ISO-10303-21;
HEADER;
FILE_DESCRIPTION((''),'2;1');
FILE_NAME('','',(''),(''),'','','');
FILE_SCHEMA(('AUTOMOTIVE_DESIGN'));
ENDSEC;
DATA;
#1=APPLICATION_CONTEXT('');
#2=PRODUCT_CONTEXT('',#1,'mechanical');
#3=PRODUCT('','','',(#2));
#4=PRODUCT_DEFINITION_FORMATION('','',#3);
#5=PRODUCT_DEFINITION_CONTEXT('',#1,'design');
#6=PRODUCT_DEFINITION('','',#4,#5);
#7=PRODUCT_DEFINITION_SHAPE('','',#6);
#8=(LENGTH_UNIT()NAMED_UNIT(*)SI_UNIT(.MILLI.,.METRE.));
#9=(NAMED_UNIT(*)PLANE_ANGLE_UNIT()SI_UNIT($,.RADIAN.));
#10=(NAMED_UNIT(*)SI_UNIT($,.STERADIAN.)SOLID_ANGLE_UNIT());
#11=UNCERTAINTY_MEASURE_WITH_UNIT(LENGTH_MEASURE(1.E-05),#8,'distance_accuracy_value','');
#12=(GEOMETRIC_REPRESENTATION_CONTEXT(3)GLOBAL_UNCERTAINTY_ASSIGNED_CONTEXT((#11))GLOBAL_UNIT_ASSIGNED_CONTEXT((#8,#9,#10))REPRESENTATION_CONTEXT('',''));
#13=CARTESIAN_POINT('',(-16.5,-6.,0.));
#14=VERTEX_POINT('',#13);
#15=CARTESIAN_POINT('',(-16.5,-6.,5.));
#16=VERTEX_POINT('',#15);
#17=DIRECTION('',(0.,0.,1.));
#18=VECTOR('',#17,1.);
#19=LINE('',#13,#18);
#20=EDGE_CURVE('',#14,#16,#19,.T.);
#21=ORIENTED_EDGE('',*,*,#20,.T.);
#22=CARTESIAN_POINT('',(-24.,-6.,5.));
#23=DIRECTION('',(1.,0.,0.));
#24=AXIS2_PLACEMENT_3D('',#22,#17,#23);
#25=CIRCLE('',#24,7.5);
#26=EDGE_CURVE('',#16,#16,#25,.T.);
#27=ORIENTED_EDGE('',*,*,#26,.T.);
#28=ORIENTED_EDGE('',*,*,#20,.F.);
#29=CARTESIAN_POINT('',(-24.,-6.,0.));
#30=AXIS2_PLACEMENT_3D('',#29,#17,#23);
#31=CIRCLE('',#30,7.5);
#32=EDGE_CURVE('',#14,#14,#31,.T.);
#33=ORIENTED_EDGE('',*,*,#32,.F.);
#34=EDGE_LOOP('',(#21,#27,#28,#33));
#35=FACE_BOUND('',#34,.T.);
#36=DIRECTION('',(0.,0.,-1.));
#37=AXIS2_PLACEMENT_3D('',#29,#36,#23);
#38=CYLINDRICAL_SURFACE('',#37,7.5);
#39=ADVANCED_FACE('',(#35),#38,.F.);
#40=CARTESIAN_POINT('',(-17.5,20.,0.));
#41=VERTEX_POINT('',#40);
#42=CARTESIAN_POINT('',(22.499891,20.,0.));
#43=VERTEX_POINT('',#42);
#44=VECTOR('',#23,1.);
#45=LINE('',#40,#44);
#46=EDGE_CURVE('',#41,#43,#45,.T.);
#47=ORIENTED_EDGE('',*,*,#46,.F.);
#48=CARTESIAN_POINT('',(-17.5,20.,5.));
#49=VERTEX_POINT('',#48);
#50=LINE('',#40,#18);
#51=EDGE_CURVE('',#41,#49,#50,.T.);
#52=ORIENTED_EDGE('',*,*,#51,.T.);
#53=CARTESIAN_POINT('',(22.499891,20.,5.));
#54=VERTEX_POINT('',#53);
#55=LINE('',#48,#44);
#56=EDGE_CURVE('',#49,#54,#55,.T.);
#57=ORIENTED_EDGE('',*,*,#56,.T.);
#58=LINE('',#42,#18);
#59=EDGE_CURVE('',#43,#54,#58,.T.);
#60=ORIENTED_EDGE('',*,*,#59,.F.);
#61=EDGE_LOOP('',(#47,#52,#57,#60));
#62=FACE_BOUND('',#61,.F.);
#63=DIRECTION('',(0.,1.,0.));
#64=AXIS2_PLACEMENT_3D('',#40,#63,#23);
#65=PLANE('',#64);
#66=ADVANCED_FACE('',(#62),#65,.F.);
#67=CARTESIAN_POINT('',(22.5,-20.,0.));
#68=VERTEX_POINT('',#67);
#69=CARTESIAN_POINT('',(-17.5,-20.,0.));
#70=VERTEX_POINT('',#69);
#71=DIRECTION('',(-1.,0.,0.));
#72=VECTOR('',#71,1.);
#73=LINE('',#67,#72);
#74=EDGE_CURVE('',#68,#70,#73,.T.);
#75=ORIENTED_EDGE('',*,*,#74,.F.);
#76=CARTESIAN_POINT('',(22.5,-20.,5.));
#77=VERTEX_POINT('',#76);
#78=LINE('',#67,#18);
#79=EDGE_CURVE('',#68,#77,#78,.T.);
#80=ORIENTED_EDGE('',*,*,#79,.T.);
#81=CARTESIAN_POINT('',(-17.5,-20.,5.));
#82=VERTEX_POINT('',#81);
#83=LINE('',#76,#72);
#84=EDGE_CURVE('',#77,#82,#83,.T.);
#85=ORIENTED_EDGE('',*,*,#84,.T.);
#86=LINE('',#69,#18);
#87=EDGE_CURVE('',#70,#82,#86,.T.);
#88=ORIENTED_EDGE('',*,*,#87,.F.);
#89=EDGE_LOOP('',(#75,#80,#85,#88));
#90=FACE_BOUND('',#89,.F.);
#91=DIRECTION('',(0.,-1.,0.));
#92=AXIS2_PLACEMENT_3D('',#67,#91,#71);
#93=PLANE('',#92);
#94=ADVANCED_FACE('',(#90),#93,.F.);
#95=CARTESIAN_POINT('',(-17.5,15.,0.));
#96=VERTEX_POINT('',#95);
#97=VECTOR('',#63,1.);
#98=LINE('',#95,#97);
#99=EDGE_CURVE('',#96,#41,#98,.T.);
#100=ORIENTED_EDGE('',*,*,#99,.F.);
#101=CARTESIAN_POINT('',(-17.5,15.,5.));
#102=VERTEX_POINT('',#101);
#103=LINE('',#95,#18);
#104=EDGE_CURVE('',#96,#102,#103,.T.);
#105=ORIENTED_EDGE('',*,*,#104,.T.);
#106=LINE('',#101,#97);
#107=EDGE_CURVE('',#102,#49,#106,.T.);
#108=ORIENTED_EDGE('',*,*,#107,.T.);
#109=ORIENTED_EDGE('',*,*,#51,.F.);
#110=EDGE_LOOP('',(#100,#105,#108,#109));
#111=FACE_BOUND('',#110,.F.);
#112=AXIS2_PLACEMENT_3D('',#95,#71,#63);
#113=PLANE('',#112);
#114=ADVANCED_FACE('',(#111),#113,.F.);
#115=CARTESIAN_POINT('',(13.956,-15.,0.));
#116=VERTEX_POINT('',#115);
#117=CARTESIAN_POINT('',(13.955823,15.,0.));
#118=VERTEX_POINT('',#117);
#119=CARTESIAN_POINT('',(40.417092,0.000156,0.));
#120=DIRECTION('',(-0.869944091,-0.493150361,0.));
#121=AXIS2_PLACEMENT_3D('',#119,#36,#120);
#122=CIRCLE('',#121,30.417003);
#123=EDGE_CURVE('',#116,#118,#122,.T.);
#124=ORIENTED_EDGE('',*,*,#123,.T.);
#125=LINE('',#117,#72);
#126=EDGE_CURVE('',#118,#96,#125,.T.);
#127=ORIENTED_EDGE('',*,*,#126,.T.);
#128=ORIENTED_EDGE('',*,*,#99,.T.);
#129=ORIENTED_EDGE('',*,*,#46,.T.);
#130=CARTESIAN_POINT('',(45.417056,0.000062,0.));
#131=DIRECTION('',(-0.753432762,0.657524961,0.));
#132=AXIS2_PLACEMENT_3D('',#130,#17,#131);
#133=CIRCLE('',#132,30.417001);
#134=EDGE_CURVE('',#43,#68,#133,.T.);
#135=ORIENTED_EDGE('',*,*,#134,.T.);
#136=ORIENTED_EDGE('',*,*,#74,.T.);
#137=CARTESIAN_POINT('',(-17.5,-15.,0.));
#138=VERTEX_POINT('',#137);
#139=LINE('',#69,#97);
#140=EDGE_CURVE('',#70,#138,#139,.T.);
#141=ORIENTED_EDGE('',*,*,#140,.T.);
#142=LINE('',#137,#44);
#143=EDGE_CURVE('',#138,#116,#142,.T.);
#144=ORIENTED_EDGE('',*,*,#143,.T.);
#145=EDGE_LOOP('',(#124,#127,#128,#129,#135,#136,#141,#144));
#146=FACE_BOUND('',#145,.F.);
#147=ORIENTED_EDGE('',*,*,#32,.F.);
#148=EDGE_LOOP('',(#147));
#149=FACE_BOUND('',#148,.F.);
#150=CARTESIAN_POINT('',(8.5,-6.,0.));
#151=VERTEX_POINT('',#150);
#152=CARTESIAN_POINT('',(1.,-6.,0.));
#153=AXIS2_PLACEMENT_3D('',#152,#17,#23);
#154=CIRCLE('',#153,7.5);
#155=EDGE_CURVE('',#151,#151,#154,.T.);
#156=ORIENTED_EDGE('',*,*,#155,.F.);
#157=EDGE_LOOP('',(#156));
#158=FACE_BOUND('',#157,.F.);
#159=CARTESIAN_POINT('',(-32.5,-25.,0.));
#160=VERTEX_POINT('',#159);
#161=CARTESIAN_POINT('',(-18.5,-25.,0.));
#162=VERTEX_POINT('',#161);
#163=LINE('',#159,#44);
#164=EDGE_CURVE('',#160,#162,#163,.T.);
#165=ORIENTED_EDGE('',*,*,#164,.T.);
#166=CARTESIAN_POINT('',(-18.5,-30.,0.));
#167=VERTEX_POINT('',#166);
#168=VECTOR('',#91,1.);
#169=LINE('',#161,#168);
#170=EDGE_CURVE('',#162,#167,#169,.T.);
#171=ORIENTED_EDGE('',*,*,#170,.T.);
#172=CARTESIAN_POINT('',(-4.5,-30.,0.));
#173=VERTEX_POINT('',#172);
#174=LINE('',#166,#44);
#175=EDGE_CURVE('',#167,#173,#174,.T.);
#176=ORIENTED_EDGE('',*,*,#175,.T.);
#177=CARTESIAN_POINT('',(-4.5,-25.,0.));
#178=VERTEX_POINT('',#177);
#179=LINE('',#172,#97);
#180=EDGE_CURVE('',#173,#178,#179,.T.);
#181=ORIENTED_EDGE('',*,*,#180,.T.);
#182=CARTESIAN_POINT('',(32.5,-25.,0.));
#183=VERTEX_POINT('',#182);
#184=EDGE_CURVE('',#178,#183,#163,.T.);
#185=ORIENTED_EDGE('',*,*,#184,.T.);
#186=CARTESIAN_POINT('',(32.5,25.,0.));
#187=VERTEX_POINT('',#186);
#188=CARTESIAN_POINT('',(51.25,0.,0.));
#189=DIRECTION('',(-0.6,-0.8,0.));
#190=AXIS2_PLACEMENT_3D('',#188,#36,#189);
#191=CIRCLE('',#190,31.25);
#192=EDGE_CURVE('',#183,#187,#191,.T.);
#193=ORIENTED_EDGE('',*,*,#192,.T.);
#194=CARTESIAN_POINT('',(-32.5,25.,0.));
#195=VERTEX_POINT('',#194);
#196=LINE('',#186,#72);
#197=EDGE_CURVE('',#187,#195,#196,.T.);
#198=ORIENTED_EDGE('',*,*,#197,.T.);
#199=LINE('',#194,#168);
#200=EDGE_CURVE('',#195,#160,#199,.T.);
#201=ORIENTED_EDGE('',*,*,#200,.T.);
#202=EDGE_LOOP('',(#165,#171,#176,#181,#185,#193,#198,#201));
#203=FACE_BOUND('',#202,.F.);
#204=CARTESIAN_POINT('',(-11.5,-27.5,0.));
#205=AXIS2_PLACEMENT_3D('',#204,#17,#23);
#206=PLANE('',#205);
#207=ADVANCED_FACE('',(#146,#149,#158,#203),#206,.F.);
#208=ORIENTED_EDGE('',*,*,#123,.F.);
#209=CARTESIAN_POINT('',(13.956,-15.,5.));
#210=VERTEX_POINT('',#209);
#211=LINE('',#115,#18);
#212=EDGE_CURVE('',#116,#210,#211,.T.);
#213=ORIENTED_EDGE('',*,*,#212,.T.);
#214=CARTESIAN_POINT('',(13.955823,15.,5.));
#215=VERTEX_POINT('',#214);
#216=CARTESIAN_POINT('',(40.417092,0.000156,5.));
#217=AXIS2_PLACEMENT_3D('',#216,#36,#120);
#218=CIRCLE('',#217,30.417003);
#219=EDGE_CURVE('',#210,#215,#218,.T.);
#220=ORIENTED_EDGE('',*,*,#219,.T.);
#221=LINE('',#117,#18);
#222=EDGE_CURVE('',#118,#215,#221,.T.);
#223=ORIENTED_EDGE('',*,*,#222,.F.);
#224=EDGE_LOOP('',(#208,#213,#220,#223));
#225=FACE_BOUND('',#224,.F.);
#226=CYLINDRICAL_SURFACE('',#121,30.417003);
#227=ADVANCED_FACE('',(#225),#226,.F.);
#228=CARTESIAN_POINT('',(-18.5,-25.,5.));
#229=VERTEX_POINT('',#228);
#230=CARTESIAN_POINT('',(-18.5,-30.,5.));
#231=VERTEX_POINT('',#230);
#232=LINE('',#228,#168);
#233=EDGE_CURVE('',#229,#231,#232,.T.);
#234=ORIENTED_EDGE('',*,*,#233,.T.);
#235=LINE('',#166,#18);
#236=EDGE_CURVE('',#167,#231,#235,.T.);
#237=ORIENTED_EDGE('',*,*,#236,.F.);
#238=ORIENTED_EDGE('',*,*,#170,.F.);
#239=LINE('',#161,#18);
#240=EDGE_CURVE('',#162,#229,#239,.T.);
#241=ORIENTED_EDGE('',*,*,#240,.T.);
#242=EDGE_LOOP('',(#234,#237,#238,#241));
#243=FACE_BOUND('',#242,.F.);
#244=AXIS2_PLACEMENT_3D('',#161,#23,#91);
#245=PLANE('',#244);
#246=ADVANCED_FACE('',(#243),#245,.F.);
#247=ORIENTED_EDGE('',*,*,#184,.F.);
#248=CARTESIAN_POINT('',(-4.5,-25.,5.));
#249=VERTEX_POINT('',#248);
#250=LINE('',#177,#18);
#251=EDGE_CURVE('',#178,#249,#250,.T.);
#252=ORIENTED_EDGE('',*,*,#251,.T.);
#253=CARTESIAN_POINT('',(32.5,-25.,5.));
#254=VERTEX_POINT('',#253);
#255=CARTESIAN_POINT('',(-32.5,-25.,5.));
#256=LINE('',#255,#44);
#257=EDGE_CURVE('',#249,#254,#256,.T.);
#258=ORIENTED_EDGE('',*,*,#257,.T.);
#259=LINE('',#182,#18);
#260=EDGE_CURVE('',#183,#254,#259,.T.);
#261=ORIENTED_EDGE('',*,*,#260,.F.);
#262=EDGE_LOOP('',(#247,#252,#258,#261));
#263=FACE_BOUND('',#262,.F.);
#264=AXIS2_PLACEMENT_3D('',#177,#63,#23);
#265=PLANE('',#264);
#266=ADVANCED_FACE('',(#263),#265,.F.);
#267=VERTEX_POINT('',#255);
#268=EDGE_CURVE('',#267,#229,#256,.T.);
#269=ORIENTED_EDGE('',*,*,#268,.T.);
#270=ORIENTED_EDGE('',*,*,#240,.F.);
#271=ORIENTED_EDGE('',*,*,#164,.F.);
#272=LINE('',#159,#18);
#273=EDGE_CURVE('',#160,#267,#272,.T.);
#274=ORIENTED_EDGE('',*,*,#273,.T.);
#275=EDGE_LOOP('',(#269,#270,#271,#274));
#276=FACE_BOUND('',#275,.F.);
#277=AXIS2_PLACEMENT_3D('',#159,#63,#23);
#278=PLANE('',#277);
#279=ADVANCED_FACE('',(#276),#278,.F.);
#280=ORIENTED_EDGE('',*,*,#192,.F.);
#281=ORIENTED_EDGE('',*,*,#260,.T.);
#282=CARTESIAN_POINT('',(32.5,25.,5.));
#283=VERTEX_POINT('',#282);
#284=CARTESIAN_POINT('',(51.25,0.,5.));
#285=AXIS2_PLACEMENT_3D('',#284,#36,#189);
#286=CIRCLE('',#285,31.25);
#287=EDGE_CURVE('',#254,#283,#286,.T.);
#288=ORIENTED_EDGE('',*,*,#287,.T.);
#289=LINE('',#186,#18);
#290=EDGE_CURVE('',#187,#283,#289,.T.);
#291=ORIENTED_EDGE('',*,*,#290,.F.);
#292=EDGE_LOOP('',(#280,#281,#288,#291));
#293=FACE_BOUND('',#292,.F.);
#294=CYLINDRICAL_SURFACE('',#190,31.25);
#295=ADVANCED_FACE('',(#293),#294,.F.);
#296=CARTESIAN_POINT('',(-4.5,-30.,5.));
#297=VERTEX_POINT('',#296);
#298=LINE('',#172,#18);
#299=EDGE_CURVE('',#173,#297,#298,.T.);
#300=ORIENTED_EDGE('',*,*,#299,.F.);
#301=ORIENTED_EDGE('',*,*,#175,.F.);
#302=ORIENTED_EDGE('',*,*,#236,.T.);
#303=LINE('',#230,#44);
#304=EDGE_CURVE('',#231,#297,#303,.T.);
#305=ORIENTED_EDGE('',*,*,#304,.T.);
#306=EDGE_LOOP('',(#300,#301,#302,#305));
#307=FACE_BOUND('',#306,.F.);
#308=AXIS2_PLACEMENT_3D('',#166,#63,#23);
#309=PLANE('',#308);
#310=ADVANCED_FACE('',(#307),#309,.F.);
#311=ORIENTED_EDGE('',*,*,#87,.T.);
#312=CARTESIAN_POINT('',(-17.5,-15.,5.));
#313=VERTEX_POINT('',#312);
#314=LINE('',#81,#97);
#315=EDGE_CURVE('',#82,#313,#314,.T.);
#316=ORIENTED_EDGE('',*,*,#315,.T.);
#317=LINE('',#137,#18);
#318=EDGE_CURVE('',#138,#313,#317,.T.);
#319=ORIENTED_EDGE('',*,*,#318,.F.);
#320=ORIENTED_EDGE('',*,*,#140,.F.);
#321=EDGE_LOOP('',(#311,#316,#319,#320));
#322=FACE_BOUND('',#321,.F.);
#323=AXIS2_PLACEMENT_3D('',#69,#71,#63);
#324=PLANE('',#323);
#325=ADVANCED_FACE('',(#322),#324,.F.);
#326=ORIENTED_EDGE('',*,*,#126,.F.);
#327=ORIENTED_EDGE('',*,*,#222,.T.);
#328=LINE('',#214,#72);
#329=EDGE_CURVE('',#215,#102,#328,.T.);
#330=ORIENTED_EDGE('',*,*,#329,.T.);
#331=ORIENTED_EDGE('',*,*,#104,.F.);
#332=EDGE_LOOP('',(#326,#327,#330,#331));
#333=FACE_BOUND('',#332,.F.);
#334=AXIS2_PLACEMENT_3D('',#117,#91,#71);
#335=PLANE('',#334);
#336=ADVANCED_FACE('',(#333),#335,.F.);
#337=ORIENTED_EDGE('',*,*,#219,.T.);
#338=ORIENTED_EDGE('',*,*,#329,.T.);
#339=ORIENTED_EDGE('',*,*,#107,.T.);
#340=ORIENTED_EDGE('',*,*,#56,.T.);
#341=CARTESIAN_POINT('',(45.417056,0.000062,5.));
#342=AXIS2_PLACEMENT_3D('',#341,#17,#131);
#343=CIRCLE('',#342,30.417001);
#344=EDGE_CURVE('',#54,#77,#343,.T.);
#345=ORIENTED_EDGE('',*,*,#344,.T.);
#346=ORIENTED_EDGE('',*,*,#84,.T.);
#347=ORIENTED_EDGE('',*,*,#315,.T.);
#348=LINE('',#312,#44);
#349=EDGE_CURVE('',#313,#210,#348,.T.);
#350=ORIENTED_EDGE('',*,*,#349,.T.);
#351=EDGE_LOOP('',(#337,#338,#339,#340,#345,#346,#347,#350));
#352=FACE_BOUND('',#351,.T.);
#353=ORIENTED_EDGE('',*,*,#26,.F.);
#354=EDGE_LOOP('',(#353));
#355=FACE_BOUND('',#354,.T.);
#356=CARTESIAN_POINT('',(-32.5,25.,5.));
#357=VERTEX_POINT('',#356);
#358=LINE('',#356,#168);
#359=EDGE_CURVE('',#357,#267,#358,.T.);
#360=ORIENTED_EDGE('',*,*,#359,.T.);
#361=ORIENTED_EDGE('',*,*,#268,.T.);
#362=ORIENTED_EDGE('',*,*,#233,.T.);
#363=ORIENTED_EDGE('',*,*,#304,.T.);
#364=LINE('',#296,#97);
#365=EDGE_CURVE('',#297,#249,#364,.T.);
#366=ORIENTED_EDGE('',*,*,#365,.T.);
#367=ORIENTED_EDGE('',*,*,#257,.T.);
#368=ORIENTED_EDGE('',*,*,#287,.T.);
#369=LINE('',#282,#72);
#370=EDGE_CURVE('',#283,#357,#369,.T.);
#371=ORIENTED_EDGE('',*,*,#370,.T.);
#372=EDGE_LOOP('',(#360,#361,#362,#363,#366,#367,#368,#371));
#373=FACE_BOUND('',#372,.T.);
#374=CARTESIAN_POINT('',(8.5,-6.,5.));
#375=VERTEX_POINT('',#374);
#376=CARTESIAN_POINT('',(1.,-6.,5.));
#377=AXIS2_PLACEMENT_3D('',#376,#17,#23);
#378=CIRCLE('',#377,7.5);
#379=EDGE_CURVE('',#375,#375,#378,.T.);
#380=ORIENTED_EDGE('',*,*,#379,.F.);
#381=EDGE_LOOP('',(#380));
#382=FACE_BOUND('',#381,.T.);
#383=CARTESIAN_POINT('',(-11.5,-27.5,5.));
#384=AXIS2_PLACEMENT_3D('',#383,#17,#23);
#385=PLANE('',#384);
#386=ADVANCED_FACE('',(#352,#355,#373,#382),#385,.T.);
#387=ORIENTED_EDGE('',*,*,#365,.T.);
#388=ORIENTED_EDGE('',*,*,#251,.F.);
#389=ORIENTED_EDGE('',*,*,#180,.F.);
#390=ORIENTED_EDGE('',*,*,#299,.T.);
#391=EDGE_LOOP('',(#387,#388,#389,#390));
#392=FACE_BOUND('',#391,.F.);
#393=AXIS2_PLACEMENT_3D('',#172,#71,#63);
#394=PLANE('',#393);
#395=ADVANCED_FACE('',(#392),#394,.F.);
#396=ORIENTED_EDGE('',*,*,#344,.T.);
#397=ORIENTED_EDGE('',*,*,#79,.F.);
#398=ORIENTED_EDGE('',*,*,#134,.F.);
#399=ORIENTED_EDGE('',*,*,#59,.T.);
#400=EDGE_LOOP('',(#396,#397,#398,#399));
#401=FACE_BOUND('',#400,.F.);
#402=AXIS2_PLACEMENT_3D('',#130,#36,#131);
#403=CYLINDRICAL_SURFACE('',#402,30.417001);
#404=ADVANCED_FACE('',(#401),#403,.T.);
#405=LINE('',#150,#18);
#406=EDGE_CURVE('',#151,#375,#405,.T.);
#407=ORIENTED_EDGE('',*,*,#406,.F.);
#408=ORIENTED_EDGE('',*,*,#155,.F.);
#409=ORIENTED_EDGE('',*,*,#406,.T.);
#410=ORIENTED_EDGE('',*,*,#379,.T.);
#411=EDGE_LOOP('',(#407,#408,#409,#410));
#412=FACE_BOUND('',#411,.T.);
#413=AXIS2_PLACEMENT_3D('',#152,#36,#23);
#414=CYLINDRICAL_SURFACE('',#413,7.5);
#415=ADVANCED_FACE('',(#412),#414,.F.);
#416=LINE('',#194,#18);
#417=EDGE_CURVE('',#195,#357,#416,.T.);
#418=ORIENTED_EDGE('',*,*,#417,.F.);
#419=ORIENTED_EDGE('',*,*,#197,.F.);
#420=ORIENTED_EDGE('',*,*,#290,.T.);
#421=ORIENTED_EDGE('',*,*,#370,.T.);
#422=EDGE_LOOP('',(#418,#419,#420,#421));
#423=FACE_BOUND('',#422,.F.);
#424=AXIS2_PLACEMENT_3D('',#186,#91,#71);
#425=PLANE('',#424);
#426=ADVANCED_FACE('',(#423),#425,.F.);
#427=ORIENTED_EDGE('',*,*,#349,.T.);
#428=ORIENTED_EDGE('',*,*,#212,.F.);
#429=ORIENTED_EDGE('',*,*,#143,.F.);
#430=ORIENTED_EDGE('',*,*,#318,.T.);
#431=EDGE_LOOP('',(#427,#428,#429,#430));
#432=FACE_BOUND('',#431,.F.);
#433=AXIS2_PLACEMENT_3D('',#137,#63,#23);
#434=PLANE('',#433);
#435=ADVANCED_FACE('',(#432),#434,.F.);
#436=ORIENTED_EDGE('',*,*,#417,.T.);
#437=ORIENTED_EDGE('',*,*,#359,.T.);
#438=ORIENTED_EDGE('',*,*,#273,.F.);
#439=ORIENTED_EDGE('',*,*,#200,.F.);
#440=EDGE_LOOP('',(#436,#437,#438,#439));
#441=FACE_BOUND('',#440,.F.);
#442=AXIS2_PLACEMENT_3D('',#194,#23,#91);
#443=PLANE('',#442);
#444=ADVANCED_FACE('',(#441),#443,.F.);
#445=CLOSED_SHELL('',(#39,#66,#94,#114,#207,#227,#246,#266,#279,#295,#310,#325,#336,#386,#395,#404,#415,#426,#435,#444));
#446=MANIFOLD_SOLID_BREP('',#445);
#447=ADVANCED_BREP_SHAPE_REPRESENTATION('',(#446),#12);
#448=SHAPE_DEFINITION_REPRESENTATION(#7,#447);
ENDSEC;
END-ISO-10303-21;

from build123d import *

# Parameters (mm, degrees)
F0_R     = 7.5
F1_DEPTH = 5


with BuildPart() as f1:
    # F0 (on Top) → F1 (new body)
    with BuildSketch(Plane.XY):
        Polygon((-4.5, -30), (-4.5, -25), (-11.5, -25), (-18.5, -25), (-18.5, -30), align=None)
        with BuildLine():
            Line((32.5, 25), (-32.5, 25))
            Line((-32.5, 25), (-32.5, -25))
            Line((-32.5, -25), (-24, -25))
            Line((-24, -25), (-18.5, -25))
            Line((-18.5, -25), (-11.5, -25))
            Line((-11.5, -25), (-4.5, -25))
            Line((-4.5, -25), (32.5, -25))
            ThreePointArc((32.5, -25), (20, 0), (32.5, 25))
        make_face()
        with Locations((-24, -6)):
            Circle(F0_R, mode=Mode.SUBTRACT)
        with Locations((1, -6)):
            Circle(F0_R, mode=Mode.SUBTRACT)
        with BuildLine():
            Line((-17.5, 20), (22.499891, 20))
            ThreePointArc((22.499891, 20), (15.000055, -2e-05), (22.5, -20))
            Line((22.5, -20), (-17.5, -20))
            Line((-17.5, -20), (-17.5, -15))
            Line((-17.5, -15), (13.956, -15))
            ThreePointArc((13.956, -15), (10.000089, -2.3e-05), (13.955823, 15))
            Line((13.955823, 15), (-17.5, 15))
            Line((-17.5, 15), (-17.5, 20))
        make_face(mode=Mode.SUBTRACT)
    extrude(amount=F1_DEPTH)


solid = f1.part
